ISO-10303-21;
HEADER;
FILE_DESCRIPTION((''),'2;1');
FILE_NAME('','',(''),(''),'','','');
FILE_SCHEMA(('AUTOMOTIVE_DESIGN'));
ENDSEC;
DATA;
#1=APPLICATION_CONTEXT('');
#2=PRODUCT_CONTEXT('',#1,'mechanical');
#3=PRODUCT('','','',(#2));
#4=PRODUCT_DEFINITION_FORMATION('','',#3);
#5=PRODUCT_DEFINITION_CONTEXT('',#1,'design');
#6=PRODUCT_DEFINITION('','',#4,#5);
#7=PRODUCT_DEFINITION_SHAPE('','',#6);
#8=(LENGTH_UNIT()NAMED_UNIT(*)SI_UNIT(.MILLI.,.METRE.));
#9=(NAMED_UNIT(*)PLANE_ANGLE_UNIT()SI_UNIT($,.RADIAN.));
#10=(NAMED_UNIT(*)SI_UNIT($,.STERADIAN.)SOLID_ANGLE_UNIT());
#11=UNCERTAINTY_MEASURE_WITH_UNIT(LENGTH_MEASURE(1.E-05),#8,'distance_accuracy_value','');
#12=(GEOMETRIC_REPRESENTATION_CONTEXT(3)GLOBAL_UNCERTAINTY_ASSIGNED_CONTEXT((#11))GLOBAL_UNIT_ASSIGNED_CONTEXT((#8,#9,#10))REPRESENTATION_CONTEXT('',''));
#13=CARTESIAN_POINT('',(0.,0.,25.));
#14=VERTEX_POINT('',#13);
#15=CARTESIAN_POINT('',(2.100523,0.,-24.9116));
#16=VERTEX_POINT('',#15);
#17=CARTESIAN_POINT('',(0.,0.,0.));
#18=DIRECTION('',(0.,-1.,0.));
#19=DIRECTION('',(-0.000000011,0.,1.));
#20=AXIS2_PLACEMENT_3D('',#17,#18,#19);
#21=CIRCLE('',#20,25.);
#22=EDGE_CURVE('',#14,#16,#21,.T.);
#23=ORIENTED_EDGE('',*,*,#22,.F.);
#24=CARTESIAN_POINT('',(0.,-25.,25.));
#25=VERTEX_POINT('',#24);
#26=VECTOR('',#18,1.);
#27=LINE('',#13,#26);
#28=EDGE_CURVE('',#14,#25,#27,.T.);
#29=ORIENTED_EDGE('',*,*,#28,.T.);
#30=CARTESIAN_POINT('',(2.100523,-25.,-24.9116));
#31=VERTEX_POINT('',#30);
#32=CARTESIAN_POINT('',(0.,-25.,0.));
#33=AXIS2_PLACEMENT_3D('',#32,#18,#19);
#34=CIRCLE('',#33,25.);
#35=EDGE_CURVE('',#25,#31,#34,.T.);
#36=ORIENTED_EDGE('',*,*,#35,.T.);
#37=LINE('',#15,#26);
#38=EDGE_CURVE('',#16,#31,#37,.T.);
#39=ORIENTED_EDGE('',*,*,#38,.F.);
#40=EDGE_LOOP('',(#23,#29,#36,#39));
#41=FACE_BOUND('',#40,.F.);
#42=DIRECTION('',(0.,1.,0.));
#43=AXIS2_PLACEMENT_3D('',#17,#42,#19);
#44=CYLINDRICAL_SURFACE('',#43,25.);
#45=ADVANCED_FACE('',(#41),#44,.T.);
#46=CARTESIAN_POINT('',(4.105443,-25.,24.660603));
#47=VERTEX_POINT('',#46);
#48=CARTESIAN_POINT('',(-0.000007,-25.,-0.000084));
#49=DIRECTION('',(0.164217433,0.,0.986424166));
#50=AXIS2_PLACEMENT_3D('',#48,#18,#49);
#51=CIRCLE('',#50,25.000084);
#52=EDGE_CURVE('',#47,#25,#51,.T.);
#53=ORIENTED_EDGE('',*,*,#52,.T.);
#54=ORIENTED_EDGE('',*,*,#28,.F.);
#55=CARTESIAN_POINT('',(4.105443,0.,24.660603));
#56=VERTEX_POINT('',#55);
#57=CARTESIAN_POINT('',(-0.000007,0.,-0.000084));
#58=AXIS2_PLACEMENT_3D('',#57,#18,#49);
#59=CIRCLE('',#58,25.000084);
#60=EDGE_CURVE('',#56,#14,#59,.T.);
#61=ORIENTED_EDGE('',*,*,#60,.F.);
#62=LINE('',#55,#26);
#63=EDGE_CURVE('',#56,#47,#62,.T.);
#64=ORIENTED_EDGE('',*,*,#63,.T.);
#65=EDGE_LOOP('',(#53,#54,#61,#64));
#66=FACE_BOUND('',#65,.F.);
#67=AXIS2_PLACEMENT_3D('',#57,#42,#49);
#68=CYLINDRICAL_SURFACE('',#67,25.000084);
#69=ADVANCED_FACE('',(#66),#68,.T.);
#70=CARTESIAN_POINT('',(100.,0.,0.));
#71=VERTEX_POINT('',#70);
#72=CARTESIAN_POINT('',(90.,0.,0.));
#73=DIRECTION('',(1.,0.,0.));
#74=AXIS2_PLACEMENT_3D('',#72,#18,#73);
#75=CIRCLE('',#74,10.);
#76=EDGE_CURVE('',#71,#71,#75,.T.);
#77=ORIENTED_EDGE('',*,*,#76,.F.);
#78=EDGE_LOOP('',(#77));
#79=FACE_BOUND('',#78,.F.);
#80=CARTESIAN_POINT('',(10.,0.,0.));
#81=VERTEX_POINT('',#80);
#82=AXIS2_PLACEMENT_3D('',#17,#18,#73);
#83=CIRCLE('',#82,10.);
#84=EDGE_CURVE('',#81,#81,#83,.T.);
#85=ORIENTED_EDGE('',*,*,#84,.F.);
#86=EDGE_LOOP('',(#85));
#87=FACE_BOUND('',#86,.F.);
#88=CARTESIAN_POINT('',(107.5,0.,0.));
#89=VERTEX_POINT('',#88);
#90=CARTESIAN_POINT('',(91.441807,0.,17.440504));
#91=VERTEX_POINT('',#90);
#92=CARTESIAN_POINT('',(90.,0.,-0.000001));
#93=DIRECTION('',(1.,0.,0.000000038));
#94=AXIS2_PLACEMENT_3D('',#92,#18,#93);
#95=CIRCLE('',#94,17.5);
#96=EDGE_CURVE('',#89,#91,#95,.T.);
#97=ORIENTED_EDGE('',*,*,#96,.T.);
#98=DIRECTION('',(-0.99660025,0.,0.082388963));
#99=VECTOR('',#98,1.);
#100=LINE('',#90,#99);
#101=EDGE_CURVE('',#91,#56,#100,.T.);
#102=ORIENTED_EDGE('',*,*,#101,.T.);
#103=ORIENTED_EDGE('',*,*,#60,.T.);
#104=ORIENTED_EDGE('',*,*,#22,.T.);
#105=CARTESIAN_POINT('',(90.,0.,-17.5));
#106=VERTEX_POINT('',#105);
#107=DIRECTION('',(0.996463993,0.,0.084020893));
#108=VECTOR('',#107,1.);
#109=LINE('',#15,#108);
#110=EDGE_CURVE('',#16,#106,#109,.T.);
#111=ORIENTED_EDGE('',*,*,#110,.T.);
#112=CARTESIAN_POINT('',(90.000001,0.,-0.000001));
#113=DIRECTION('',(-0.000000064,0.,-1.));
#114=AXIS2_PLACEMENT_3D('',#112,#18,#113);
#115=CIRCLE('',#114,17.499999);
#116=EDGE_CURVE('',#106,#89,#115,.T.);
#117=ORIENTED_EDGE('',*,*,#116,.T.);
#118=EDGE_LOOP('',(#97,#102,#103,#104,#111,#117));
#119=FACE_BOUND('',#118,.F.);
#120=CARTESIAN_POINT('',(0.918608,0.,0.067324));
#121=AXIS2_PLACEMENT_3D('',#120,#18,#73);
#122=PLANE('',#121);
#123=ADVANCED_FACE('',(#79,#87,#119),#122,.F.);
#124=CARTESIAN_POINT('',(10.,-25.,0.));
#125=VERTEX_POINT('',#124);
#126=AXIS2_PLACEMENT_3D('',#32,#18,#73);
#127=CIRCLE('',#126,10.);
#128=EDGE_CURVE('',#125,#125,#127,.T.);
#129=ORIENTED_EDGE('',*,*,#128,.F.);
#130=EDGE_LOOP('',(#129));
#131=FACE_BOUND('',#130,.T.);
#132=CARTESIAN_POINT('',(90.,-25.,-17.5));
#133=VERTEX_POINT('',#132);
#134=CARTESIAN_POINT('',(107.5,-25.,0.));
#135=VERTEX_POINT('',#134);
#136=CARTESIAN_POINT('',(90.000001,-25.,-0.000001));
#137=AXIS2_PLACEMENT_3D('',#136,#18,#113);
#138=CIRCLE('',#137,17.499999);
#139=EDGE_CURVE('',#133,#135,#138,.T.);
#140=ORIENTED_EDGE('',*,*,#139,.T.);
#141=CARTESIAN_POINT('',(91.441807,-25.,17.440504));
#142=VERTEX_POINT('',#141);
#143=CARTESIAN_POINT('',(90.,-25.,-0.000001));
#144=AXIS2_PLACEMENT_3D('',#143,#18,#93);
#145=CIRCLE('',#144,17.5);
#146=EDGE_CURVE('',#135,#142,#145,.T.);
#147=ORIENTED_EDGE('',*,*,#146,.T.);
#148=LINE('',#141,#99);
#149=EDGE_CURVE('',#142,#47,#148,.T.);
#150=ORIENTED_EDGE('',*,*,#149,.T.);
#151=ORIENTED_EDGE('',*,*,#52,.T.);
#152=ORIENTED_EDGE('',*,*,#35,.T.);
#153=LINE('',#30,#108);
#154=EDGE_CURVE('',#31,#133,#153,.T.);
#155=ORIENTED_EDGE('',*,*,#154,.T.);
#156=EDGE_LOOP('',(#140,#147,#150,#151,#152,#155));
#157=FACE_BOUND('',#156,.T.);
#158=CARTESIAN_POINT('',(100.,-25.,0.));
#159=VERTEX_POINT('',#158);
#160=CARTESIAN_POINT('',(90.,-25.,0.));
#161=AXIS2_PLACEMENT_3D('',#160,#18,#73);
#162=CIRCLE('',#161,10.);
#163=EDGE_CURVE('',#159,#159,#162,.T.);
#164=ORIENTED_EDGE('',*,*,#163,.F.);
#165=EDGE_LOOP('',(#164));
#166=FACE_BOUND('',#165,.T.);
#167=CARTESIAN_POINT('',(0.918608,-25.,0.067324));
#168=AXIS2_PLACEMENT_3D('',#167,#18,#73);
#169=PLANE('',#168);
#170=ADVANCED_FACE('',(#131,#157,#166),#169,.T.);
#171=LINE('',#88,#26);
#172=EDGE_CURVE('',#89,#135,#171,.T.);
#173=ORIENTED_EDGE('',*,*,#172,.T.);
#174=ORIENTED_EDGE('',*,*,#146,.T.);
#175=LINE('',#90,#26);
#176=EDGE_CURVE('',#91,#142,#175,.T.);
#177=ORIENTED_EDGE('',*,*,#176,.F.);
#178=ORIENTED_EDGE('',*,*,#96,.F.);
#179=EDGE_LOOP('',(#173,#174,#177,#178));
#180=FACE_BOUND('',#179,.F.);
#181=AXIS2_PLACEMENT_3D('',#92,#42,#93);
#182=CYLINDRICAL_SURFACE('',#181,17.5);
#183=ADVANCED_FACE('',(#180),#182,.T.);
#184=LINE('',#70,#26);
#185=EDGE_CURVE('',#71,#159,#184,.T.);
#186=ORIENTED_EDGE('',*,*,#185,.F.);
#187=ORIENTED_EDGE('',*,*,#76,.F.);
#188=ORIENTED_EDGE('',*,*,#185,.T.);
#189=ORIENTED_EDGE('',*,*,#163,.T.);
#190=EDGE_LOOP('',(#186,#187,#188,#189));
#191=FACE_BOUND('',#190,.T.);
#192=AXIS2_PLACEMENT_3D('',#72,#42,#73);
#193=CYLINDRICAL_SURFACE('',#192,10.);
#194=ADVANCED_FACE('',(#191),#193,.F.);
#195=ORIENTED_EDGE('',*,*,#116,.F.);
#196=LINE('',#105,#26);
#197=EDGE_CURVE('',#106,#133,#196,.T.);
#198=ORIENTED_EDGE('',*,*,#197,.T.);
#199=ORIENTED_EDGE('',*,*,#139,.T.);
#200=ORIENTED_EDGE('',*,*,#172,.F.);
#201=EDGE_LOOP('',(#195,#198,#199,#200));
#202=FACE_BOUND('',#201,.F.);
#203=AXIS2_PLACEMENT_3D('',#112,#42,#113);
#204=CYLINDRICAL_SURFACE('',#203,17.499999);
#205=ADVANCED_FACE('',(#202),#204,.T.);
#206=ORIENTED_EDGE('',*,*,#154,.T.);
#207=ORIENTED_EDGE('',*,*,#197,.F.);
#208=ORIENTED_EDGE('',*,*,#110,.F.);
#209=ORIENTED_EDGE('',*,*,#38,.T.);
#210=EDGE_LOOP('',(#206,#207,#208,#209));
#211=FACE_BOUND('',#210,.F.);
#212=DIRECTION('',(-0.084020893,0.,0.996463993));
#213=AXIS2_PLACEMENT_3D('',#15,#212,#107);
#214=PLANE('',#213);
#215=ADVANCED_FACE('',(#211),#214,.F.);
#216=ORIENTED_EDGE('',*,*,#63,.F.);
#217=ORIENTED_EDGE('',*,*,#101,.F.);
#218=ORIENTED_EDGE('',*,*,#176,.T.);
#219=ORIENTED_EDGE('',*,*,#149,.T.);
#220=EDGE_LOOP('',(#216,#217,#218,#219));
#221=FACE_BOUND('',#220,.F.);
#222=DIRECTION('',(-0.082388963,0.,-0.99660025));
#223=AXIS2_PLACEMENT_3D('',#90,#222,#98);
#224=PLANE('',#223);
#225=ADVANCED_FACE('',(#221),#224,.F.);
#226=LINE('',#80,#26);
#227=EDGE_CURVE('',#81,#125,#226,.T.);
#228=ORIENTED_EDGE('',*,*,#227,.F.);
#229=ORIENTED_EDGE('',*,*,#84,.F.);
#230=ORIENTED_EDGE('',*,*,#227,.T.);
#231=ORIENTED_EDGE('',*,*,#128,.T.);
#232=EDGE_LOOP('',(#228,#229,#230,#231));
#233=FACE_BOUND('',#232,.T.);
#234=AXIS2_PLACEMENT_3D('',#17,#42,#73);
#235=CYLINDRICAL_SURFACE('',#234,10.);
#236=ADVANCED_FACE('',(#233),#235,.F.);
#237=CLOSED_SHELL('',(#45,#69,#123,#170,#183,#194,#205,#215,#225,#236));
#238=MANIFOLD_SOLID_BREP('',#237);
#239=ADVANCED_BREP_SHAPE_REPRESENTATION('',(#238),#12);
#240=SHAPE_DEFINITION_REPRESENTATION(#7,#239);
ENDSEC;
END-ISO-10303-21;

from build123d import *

# Parameters (mm, degrees)
F0_R     = 10
F1_DEPTH = 25


with BuildPart() as f1:
    # F0 (on Front) → F1 (new body)
    with BuildSketch(Plane.XZ):
        with BuildLine():
            ThreePointArc((4.105443, 24.660603), (19.074015, 16.161125), (25, 0))
            ThreePointArc((25, 0), (18.40534, -16.918731), (2.100523, -24.9116))
            Line((2.100523, -24.9116), (90, -17.5))
            ThreePointArc((90, -17.5), (72.51488, 0.721517), (91.441807, 17.440504))
            Line((91.441807, 17.440504), (4.105443, 24.660603))
        make_face()
        with BuildLine():
            Line((0, 25), (4.105443, 24.660603))
            ThreePointArc((4.105443, 24.660603), (2.059724, 24.915006), (0, 25))
        make_face()
        with BuildLine():
            ThreePointArc((107.5, 0), (102.874036, 11.853657), (91.441807, 17.440504))
            ThreePointArc((91.441807, 17.440504), (72.51488, 0.721517), (90, -17.5))
            ThreePointArc((90, -17.5), (102.374369, -12.374369), (107.5, 0))
        make_face()
        with Locations((90, 0)):
            Circle(F0_R, mode=Mode.SUBTRACT)
        Circle(F0_R)
        with BuildLine():
            ThreePointArc((2.100523, -24.9116), (18.40534, -16.918731), (25, 0))
            ThreePointArc((25, 0), (19.074015, 16.161125), (4.105443, 24.660603))
            Line((4.105443, 24.660603), (0, 25))
            ThreePointArc((0, 25), (-24.97789, -1.051191), (2.100523, -24.9116))
        make_face()
        Circle(F0_R, mode=Mode.SUBTRACT)
    extrude(amount=F1_DEPTH)


solid = f1.part
